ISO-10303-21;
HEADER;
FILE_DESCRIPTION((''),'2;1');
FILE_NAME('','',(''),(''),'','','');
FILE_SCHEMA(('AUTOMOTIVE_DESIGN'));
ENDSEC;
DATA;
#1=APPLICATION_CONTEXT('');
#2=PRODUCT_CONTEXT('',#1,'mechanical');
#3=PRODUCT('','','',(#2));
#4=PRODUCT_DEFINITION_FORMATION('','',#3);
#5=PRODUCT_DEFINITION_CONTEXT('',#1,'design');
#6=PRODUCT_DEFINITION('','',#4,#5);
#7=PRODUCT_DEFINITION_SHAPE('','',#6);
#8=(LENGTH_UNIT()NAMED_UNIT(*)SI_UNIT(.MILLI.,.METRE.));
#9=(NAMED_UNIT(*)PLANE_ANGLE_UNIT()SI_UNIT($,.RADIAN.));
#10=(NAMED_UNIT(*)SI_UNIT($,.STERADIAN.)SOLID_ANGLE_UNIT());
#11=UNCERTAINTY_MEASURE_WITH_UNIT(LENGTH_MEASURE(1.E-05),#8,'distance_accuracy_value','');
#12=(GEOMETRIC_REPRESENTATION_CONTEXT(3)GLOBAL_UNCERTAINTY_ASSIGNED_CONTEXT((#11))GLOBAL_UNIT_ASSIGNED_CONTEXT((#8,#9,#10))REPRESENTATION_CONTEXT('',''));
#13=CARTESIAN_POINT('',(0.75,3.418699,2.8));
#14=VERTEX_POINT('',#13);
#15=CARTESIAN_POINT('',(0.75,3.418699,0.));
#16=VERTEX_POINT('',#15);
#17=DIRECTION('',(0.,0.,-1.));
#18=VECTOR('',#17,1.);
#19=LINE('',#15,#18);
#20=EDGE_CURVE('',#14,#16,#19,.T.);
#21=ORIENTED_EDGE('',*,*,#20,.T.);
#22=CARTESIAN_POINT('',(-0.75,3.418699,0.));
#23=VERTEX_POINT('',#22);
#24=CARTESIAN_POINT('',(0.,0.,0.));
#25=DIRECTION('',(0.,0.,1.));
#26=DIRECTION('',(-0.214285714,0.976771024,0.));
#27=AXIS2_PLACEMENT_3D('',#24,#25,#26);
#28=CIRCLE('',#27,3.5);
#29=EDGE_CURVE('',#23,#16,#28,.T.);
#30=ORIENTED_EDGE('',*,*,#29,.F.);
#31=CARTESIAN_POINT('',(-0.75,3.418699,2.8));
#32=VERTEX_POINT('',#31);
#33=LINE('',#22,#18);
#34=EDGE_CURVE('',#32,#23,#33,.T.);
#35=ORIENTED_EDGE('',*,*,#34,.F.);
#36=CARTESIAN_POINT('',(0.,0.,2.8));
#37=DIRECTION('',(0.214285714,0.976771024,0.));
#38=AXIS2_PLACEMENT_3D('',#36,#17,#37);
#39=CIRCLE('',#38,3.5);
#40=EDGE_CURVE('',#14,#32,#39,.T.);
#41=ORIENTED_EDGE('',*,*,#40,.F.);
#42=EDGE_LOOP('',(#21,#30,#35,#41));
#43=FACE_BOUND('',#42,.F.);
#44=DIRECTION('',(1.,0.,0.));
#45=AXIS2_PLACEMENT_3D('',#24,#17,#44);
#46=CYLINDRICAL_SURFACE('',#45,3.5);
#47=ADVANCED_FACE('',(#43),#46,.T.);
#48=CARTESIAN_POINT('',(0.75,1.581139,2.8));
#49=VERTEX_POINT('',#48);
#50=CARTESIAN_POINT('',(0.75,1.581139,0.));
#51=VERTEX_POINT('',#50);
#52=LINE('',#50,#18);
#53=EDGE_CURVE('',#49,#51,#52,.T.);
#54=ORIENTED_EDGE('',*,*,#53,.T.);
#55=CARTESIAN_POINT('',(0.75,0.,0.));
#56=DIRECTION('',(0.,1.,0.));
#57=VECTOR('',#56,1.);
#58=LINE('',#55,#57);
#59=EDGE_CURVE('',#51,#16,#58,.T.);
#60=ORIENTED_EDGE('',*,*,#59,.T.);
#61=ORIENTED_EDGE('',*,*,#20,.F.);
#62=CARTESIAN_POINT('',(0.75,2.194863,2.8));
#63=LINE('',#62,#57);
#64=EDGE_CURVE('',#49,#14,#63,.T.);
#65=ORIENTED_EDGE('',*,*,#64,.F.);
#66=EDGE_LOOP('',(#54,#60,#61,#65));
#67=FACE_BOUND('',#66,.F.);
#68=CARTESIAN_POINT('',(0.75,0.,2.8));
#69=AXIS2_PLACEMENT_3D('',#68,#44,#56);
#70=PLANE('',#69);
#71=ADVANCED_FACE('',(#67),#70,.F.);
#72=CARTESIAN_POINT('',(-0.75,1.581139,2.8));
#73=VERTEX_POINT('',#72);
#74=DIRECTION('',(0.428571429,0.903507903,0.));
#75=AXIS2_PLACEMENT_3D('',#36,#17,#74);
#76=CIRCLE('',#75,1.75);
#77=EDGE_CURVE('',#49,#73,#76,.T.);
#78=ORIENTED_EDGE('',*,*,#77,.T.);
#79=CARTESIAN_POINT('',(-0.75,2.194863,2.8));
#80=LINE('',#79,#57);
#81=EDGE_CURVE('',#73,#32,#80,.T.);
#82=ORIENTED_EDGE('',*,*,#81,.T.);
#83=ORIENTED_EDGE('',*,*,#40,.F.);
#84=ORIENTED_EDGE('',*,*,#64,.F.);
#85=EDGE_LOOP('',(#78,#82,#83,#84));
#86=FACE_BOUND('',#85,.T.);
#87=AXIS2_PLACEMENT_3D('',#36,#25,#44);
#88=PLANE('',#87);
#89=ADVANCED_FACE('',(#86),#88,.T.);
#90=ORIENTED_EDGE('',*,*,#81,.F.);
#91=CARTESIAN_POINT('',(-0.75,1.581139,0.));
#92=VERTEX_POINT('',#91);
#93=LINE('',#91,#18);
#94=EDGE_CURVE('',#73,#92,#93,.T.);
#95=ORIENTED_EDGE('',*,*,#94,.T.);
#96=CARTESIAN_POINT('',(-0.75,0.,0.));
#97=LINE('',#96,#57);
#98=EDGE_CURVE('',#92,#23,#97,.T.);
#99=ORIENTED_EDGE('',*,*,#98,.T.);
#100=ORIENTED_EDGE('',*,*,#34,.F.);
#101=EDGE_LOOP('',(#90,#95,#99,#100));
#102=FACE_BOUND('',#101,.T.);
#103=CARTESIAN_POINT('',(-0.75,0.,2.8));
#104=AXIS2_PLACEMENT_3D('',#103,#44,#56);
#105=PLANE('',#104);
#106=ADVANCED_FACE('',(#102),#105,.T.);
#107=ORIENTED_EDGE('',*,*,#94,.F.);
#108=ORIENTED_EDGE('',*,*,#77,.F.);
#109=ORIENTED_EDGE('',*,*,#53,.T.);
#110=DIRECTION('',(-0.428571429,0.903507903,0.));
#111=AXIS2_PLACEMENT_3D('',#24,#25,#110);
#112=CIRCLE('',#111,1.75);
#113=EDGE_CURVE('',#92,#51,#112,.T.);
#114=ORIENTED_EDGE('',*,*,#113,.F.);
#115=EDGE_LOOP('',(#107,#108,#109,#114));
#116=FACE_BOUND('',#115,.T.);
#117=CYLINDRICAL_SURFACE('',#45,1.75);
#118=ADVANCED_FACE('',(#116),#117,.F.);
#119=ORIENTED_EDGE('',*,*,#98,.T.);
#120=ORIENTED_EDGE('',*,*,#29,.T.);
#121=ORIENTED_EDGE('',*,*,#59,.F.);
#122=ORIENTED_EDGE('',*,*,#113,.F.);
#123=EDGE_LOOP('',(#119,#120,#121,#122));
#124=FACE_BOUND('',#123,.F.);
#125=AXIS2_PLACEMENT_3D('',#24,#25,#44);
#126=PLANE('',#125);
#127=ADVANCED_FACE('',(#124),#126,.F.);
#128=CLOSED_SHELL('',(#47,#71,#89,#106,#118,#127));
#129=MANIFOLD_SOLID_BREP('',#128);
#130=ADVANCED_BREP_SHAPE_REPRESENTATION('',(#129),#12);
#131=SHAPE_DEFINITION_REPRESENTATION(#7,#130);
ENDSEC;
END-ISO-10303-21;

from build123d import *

# Parameters (mm, degrees)
SKETCH_R     = 3.5
SKETCH_R_2   = 1.75
PAD_DEPTH    = 2.8
SKETCH001_W  = 1.5
SKETCH001_H  = 4.389726
POCKET_DEPTH = 5


with BuildPart() as part:
    # Sketch → Pad (new body)
    with BuildSketch(Plane.XY):
        Circle(SKETCH_R)
        Circle(SKETCH_R_2, mode=Mode.SUBTRACT)
    extrude(amount=PAD_DEPTH)

    # Sketch001 (on Face4 of Pad) → Pocket (cut)
    with BuildSketch(Plane.XY.offset(2.8)):
        with Locations((0, 2.194863)):
            Rectangle(SKETCH001_W, SKETCH001_H)
    extrude(amount=-POCKET_DEPTH, mode=Mode.SUBTRACT)


solid = part.part
